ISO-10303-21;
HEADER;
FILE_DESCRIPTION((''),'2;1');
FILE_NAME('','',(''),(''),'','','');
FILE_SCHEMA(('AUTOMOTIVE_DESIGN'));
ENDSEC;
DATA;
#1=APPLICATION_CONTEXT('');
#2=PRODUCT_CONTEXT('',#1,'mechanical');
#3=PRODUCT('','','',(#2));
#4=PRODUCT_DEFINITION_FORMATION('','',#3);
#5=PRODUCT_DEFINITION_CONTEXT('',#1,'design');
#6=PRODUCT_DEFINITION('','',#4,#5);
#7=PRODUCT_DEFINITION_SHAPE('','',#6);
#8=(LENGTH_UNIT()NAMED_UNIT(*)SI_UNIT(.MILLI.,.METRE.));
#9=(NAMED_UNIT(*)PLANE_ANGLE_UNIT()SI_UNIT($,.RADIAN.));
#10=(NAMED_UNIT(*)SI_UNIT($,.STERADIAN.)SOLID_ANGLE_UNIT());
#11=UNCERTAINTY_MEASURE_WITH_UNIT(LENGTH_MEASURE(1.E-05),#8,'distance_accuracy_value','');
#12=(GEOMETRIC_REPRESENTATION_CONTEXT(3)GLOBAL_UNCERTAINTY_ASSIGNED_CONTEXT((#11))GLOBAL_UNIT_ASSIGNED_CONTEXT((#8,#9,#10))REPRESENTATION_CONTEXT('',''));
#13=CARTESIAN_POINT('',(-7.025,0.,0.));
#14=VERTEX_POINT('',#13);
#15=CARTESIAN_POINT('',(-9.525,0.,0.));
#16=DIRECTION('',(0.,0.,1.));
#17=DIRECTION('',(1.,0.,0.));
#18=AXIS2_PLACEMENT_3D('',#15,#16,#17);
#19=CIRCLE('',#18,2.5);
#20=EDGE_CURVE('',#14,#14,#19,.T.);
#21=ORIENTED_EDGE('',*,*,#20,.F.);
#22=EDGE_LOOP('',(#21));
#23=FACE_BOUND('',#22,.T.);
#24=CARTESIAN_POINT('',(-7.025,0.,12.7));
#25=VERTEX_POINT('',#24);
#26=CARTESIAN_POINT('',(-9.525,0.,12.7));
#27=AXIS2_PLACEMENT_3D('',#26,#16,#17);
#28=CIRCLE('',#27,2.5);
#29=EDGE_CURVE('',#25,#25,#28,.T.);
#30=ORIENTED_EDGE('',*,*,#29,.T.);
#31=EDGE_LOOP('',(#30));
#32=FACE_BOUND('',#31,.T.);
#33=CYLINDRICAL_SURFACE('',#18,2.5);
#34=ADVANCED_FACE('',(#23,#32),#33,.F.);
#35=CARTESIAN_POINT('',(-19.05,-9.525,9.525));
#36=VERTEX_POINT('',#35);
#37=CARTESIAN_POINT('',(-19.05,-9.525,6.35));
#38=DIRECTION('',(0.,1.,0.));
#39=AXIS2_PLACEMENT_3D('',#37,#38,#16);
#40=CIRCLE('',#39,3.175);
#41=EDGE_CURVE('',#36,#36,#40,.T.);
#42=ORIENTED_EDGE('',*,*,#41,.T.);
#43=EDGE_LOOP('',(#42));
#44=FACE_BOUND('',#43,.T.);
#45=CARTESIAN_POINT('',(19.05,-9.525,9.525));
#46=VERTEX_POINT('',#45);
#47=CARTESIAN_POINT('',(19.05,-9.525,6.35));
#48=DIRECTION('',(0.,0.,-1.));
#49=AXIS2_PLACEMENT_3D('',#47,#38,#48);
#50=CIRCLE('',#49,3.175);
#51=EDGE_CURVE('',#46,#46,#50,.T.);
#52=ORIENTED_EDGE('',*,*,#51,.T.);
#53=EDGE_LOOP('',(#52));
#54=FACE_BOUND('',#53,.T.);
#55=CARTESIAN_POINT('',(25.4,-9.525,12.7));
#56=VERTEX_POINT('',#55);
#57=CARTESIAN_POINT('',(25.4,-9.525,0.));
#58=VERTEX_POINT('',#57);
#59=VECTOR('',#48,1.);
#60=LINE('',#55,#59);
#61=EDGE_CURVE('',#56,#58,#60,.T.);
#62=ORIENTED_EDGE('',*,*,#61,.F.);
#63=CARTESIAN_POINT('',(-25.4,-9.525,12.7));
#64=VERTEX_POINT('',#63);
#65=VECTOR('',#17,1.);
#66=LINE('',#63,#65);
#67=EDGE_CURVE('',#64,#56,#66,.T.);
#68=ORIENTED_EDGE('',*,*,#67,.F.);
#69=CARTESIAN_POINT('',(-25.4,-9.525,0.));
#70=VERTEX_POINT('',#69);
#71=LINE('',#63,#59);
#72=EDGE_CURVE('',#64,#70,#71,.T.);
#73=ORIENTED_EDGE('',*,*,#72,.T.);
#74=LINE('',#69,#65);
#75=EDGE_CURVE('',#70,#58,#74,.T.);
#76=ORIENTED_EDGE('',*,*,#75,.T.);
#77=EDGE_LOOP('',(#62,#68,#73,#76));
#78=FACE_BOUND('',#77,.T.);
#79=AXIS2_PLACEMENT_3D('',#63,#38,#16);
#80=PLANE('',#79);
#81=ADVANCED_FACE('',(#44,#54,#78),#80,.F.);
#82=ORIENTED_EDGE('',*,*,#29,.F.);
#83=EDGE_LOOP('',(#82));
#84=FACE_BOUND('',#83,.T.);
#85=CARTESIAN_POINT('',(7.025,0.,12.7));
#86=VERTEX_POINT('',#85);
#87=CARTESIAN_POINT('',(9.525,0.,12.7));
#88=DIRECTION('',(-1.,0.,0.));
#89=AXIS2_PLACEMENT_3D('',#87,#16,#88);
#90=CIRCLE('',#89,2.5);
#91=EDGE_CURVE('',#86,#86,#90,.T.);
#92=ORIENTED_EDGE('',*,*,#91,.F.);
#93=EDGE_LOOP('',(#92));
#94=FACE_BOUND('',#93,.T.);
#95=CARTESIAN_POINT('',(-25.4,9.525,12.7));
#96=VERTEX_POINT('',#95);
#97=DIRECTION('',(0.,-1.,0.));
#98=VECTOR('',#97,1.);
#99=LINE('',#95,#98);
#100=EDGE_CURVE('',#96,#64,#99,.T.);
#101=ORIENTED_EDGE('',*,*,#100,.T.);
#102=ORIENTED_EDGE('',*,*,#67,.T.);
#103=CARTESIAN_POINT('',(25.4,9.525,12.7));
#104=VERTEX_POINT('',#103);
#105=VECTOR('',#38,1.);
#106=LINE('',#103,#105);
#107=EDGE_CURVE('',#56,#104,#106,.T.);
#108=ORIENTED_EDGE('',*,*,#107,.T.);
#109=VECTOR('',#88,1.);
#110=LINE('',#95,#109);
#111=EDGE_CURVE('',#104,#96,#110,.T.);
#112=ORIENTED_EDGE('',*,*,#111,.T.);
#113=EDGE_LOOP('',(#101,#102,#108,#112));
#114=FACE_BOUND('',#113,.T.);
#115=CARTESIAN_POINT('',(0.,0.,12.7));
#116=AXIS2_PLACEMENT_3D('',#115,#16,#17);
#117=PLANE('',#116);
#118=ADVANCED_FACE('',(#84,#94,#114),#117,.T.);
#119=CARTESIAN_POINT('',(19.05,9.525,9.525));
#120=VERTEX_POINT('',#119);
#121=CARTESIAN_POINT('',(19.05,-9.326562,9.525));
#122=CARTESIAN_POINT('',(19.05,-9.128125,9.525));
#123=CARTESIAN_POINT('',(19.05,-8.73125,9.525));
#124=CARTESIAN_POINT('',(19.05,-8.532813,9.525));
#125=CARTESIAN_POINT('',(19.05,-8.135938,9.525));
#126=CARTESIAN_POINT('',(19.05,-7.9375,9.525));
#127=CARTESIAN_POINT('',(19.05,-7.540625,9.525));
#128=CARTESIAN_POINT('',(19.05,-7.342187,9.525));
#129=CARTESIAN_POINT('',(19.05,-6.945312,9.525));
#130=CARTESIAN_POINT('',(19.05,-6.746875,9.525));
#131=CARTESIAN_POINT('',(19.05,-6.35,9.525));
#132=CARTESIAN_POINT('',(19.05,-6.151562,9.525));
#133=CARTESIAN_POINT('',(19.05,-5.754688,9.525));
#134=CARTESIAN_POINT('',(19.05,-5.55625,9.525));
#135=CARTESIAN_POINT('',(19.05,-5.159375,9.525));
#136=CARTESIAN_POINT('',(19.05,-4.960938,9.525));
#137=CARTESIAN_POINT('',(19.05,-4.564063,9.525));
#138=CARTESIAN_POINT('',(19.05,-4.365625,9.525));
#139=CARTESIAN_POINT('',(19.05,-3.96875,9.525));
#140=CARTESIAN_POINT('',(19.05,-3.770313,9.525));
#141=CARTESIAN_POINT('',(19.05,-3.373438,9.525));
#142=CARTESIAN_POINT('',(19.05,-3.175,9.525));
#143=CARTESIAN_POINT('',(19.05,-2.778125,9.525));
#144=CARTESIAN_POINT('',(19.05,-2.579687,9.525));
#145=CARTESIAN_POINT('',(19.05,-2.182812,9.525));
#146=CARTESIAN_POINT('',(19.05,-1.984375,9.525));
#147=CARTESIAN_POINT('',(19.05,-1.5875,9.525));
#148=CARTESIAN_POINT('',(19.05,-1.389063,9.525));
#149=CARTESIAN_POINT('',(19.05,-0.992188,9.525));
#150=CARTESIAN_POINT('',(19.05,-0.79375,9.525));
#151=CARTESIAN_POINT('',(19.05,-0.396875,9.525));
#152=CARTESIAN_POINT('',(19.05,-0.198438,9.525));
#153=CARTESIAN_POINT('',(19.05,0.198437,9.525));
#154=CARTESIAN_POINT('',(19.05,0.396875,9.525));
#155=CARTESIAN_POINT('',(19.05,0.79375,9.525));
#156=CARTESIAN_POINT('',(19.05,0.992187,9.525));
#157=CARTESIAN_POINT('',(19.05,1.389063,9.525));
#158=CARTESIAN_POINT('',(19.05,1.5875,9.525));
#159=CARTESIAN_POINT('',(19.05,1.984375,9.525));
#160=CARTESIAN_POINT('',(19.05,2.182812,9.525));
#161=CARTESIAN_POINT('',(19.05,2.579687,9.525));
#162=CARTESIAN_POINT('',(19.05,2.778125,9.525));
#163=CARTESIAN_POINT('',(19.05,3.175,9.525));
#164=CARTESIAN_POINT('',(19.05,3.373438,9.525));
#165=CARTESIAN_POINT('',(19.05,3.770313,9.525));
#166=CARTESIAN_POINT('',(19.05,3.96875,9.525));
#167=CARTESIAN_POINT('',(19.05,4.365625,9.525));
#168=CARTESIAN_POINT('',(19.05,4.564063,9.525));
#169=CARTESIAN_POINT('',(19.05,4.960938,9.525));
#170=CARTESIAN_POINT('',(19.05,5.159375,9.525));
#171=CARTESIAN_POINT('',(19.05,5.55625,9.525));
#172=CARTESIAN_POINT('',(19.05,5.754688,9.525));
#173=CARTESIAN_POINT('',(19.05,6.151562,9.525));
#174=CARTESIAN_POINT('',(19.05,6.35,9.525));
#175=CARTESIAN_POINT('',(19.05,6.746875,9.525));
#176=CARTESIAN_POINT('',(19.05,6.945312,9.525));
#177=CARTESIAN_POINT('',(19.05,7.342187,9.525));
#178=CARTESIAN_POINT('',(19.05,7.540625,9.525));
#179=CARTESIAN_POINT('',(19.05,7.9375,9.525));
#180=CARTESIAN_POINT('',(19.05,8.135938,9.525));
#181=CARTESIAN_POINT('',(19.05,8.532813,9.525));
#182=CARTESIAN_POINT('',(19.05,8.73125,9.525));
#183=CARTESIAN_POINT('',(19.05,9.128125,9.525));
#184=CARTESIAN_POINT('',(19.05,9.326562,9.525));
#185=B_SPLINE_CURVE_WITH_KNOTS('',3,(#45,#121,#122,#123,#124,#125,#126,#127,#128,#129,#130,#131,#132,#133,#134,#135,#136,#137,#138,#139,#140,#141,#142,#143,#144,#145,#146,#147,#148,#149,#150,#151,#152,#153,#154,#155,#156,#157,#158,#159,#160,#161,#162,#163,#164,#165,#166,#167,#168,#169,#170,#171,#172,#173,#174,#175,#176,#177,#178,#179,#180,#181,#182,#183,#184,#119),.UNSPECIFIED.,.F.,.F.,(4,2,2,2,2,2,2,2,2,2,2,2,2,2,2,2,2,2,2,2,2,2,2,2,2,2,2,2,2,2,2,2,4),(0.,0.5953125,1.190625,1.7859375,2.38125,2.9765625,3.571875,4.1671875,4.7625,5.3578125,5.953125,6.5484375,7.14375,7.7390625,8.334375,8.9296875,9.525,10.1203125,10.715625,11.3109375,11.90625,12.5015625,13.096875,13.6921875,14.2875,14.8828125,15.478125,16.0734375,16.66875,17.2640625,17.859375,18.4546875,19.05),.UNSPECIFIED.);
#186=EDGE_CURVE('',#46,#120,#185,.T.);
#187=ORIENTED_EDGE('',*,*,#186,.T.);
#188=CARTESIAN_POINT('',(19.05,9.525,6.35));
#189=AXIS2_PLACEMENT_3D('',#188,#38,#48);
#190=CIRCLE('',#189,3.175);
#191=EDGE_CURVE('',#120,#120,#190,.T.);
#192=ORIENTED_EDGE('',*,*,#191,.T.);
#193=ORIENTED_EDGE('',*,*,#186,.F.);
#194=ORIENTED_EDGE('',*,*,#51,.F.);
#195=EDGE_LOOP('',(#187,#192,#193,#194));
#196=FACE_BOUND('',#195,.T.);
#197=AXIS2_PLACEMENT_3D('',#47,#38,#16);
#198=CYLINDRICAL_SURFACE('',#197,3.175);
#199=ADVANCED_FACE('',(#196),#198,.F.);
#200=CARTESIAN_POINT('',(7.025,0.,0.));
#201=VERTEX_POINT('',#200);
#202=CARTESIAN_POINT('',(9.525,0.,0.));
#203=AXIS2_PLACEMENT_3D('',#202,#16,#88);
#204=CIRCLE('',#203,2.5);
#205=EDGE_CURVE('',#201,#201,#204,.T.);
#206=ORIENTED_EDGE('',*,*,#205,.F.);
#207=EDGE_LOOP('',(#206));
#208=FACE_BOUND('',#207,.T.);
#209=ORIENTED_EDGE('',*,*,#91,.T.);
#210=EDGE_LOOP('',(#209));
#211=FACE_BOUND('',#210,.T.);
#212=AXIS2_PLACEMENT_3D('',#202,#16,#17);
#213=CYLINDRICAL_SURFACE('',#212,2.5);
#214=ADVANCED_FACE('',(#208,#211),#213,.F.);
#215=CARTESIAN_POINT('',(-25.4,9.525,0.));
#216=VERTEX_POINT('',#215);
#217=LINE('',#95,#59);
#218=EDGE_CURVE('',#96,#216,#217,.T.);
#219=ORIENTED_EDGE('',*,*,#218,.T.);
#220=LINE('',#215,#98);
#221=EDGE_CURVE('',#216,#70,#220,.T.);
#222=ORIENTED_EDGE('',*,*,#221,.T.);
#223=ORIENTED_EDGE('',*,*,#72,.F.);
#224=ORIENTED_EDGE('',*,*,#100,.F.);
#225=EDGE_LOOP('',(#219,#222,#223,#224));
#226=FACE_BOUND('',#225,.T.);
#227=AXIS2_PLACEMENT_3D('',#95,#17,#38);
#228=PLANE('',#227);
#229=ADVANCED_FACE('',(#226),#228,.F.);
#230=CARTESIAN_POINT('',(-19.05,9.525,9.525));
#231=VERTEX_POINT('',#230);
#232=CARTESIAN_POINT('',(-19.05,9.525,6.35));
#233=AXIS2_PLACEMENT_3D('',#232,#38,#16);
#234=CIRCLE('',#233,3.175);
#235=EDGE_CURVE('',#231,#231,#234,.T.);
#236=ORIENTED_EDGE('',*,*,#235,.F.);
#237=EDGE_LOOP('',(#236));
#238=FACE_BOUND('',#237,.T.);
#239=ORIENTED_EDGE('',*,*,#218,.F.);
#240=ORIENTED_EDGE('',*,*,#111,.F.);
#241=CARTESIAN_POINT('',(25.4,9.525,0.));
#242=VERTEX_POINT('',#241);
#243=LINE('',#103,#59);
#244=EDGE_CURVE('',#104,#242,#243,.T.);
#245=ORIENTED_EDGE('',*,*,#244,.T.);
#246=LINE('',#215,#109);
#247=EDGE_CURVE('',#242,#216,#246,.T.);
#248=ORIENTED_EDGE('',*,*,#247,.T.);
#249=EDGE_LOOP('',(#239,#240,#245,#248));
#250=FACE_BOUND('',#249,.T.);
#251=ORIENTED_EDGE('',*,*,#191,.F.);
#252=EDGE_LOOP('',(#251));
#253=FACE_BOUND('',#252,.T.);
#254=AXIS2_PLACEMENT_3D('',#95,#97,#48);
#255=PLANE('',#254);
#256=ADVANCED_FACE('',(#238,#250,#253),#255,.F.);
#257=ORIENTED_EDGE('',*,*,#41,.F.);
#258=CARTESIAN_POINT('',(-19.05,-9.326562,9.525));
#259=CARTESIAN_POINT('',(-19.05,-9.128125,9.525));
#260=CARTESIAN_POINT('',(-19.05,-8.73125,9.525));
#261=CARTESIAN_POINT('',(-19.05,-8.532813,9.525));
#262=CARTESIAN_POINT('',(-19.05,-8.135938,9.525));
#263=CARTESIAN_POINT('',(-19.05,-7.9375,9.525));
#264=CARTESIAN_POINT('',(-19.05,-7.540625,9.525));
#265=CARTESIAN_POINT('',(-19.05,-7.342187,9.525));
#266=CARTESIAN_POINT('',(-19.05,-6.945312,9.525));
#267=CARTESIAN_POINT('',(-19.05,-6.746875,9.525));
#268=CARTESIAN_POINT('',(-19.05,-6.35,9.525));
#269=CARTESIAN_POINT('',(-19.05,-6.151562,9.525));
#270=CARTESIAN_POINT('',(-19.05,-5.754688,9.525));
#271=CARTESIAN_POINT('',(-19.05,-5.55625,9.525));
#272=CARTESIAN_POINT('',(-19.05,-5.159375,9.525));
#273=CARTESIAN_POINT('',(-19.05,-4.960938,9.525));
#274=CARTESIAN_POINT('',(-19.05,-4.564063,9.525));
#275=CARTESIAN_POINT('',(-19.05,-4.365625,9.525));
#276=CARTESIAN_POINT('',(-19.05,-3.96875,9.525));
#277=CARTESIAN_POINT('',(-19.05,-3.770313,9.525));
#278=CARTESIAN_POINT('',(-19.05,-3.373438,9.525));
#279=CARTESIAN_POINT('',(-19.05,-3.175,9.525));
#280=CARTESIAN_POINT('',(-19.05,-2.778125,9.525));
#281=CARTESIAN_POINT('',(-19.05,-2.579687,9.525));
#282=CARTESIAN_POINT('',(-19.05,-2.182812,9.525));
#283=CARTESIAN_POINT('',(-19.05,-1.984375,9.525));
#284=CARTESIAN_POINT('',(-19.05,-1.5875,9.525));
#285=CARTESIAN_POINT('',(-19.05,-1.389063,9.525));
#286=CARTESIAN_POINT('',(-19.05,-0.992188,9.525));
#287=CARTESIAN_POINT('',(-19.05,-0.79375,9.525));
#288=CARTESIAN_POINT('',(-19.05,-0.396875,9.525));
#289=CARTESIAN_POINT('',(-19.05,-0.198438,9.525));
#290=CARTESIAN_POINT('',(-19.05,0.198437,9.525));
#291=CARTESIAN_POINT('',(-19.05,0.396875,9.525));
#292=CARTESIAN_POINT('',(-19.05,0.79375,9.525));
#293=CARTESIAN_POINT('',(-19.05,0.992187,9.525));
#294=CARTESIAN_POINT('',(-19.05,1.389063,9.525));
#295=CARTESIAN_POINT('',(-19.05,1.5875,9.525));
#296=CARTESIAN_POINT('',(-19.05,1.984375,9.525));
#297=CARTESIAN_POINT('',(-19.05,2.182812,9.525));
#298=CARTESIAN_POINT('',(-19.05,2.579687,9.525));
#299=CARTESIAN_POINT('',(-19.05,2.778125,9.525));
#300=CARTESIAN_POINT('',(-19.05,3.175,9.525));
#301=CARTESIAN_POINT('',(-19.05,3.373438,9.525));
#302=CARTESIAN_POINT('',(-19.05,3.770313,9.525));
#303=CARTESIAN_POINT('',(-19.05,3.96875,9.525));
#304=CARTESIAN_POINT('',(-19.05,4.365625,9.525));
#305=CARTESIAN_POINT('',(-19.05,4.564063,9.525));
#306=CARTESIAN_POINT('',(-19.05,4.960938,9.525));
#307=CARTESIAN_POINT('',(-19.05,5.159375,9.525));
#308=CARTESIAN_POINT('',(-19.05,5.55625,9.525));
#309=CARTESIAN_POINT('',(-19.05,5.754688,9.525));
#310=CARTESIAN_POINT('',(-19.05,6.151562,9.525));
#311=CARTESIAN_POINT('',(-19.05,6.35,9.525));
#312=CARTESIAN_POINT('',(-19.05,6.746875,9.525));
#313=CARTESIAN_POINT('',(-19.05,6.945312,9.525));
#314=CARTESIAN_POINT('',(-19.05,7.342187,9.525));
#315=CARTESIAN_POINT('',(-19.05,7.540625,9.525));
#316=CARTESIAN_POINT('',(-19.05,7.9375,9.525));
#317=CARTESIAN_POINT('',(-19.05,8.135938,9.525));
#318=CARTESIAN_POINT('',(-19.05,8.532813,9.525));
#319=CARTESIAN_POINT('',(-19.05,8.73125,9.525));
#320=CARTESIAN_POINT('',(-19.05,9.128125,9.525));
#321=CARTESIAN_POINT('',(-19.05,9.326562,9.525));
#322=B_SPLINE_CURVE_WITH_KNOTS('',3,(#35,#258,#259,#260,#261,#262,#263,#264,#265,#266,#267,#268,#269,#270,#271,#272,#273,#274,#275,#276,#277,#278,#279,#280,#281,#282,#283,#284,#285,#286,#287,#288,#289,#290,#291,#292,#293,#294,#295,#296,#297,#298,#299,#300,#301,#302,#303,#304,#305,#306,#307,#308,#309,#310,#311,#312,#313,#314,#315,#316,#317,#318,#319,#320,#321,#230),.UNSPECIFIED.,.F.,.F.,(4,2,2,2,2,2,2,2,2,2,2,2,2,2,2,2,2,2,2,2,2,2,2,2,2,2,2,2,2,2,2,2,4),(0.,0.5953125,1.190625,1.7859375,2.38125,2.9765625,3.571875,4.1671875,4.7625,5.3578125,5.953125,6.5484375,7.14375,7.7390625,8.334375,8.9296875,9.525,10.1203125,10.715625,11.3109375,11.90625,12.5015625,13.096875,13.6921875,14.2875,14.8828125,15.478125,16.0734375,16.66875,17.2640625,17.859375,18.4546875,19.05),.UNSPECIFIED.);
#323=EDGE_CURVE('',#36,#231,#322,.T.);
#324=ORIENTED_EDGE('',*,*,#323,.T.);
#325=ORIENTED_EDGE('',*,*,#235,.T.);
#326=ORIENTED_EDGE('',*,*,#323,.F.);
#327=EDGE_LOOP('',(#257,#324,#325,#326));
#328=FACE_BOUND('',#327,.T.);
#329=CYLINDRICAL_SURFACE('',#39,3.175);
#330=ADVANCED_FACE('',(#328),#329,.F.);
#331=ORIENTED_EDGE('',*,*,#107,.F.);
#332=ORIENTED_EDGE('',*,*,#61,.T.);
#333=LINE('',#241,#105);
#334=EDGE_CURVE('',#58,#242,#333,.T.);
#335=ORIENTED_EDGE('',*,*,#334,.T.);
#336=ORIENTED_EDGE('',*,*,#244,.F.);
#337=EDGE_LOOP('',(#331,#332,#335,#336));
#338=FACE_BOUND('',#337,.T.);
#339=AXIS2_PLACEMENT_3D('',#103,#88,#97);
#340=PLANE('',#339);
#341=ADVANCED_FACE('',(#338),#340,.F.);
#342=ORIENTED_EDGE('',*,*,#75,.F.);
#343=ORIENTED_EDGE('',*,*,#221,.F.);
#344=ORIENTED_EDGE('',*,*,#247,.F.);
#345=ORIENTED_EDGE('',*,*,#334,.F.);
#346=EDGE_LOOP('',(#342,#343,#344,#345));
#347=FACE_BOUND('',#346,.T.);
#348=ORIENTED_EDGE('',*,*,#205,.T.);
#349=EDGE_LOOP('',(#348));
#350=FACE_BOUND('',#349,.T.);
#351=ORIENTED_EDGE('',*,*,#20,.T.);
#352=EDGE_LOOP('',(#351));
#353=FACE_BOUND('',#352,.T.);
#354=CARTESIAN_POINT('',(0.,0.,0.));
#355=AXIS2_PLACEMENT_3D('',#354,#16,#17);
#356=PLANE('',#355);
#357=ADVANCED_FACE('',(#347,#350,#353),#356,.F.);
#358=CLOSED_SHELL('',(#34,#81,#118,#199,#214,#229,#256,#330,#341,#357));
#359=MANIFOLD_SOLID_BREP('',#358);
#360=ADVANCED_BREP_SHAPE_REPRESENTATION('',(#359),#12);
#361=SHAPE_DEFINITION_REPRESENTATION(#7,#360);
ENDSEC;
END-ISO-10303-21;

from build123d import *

# Parameters (mm, degrees)
SKETCH1_W           = 50.8
SKETCH1_H           = 19.05
BOSS_EXTRUDE1_DEPTH = 12.7
SKETCH2_R           = 2.5
CUT_EXTRUDE1_DEPTH  = 30.952890094
SKETCH3_R           = 3.175
CUT_EXTRUDE2_DEPTH  = 35.195796525


with BuildPart() as part:
    # Sketch1 → Boss-Extrude1 (new body)
    with BuildSketch(Plane.XY):
        Rectangle(SKETCH1_W, SKETCH1_H)
    extrude(amount=BOSS_EXTRUDE1_DEPTH)

    # Sketch2 → Cut-Extrude1 (cut, through all)
    with BuildSketch(Plane.XY.offset(12.7)):
        with Locations((-9.525, 0)):
            Circle(SKETCH2_R)
        with Locations(Location((9.525, 0, 0), (0, 0, 180))):
            Circle(SKETCH2_R)
    extrude(amount=-CUT_EXTRUDE1_DEPTH, mode=Mode.SUBTRACT)

    # Sketch3 → Cut-Extrude2 (cut, through all)
    with BuildSketch(Plane(origin=(0, 9.525, 0), x_dir=(1, 0, 0), z_dir=(0, 1, 0))):
        with Locations(Location((-19.05, -6.35, 0), (0, 0, 270))):
            Circle(SKETCH3_R)
        with Locations(Location((19.05, -6.35, 0), (0, 0, 270))):
            Circle(SKETCH3_R)
    extrude(amount=-CUT_EXTRUDE2_DEPTH, mode=Mode.SUBTRACT)


solid = part.part
